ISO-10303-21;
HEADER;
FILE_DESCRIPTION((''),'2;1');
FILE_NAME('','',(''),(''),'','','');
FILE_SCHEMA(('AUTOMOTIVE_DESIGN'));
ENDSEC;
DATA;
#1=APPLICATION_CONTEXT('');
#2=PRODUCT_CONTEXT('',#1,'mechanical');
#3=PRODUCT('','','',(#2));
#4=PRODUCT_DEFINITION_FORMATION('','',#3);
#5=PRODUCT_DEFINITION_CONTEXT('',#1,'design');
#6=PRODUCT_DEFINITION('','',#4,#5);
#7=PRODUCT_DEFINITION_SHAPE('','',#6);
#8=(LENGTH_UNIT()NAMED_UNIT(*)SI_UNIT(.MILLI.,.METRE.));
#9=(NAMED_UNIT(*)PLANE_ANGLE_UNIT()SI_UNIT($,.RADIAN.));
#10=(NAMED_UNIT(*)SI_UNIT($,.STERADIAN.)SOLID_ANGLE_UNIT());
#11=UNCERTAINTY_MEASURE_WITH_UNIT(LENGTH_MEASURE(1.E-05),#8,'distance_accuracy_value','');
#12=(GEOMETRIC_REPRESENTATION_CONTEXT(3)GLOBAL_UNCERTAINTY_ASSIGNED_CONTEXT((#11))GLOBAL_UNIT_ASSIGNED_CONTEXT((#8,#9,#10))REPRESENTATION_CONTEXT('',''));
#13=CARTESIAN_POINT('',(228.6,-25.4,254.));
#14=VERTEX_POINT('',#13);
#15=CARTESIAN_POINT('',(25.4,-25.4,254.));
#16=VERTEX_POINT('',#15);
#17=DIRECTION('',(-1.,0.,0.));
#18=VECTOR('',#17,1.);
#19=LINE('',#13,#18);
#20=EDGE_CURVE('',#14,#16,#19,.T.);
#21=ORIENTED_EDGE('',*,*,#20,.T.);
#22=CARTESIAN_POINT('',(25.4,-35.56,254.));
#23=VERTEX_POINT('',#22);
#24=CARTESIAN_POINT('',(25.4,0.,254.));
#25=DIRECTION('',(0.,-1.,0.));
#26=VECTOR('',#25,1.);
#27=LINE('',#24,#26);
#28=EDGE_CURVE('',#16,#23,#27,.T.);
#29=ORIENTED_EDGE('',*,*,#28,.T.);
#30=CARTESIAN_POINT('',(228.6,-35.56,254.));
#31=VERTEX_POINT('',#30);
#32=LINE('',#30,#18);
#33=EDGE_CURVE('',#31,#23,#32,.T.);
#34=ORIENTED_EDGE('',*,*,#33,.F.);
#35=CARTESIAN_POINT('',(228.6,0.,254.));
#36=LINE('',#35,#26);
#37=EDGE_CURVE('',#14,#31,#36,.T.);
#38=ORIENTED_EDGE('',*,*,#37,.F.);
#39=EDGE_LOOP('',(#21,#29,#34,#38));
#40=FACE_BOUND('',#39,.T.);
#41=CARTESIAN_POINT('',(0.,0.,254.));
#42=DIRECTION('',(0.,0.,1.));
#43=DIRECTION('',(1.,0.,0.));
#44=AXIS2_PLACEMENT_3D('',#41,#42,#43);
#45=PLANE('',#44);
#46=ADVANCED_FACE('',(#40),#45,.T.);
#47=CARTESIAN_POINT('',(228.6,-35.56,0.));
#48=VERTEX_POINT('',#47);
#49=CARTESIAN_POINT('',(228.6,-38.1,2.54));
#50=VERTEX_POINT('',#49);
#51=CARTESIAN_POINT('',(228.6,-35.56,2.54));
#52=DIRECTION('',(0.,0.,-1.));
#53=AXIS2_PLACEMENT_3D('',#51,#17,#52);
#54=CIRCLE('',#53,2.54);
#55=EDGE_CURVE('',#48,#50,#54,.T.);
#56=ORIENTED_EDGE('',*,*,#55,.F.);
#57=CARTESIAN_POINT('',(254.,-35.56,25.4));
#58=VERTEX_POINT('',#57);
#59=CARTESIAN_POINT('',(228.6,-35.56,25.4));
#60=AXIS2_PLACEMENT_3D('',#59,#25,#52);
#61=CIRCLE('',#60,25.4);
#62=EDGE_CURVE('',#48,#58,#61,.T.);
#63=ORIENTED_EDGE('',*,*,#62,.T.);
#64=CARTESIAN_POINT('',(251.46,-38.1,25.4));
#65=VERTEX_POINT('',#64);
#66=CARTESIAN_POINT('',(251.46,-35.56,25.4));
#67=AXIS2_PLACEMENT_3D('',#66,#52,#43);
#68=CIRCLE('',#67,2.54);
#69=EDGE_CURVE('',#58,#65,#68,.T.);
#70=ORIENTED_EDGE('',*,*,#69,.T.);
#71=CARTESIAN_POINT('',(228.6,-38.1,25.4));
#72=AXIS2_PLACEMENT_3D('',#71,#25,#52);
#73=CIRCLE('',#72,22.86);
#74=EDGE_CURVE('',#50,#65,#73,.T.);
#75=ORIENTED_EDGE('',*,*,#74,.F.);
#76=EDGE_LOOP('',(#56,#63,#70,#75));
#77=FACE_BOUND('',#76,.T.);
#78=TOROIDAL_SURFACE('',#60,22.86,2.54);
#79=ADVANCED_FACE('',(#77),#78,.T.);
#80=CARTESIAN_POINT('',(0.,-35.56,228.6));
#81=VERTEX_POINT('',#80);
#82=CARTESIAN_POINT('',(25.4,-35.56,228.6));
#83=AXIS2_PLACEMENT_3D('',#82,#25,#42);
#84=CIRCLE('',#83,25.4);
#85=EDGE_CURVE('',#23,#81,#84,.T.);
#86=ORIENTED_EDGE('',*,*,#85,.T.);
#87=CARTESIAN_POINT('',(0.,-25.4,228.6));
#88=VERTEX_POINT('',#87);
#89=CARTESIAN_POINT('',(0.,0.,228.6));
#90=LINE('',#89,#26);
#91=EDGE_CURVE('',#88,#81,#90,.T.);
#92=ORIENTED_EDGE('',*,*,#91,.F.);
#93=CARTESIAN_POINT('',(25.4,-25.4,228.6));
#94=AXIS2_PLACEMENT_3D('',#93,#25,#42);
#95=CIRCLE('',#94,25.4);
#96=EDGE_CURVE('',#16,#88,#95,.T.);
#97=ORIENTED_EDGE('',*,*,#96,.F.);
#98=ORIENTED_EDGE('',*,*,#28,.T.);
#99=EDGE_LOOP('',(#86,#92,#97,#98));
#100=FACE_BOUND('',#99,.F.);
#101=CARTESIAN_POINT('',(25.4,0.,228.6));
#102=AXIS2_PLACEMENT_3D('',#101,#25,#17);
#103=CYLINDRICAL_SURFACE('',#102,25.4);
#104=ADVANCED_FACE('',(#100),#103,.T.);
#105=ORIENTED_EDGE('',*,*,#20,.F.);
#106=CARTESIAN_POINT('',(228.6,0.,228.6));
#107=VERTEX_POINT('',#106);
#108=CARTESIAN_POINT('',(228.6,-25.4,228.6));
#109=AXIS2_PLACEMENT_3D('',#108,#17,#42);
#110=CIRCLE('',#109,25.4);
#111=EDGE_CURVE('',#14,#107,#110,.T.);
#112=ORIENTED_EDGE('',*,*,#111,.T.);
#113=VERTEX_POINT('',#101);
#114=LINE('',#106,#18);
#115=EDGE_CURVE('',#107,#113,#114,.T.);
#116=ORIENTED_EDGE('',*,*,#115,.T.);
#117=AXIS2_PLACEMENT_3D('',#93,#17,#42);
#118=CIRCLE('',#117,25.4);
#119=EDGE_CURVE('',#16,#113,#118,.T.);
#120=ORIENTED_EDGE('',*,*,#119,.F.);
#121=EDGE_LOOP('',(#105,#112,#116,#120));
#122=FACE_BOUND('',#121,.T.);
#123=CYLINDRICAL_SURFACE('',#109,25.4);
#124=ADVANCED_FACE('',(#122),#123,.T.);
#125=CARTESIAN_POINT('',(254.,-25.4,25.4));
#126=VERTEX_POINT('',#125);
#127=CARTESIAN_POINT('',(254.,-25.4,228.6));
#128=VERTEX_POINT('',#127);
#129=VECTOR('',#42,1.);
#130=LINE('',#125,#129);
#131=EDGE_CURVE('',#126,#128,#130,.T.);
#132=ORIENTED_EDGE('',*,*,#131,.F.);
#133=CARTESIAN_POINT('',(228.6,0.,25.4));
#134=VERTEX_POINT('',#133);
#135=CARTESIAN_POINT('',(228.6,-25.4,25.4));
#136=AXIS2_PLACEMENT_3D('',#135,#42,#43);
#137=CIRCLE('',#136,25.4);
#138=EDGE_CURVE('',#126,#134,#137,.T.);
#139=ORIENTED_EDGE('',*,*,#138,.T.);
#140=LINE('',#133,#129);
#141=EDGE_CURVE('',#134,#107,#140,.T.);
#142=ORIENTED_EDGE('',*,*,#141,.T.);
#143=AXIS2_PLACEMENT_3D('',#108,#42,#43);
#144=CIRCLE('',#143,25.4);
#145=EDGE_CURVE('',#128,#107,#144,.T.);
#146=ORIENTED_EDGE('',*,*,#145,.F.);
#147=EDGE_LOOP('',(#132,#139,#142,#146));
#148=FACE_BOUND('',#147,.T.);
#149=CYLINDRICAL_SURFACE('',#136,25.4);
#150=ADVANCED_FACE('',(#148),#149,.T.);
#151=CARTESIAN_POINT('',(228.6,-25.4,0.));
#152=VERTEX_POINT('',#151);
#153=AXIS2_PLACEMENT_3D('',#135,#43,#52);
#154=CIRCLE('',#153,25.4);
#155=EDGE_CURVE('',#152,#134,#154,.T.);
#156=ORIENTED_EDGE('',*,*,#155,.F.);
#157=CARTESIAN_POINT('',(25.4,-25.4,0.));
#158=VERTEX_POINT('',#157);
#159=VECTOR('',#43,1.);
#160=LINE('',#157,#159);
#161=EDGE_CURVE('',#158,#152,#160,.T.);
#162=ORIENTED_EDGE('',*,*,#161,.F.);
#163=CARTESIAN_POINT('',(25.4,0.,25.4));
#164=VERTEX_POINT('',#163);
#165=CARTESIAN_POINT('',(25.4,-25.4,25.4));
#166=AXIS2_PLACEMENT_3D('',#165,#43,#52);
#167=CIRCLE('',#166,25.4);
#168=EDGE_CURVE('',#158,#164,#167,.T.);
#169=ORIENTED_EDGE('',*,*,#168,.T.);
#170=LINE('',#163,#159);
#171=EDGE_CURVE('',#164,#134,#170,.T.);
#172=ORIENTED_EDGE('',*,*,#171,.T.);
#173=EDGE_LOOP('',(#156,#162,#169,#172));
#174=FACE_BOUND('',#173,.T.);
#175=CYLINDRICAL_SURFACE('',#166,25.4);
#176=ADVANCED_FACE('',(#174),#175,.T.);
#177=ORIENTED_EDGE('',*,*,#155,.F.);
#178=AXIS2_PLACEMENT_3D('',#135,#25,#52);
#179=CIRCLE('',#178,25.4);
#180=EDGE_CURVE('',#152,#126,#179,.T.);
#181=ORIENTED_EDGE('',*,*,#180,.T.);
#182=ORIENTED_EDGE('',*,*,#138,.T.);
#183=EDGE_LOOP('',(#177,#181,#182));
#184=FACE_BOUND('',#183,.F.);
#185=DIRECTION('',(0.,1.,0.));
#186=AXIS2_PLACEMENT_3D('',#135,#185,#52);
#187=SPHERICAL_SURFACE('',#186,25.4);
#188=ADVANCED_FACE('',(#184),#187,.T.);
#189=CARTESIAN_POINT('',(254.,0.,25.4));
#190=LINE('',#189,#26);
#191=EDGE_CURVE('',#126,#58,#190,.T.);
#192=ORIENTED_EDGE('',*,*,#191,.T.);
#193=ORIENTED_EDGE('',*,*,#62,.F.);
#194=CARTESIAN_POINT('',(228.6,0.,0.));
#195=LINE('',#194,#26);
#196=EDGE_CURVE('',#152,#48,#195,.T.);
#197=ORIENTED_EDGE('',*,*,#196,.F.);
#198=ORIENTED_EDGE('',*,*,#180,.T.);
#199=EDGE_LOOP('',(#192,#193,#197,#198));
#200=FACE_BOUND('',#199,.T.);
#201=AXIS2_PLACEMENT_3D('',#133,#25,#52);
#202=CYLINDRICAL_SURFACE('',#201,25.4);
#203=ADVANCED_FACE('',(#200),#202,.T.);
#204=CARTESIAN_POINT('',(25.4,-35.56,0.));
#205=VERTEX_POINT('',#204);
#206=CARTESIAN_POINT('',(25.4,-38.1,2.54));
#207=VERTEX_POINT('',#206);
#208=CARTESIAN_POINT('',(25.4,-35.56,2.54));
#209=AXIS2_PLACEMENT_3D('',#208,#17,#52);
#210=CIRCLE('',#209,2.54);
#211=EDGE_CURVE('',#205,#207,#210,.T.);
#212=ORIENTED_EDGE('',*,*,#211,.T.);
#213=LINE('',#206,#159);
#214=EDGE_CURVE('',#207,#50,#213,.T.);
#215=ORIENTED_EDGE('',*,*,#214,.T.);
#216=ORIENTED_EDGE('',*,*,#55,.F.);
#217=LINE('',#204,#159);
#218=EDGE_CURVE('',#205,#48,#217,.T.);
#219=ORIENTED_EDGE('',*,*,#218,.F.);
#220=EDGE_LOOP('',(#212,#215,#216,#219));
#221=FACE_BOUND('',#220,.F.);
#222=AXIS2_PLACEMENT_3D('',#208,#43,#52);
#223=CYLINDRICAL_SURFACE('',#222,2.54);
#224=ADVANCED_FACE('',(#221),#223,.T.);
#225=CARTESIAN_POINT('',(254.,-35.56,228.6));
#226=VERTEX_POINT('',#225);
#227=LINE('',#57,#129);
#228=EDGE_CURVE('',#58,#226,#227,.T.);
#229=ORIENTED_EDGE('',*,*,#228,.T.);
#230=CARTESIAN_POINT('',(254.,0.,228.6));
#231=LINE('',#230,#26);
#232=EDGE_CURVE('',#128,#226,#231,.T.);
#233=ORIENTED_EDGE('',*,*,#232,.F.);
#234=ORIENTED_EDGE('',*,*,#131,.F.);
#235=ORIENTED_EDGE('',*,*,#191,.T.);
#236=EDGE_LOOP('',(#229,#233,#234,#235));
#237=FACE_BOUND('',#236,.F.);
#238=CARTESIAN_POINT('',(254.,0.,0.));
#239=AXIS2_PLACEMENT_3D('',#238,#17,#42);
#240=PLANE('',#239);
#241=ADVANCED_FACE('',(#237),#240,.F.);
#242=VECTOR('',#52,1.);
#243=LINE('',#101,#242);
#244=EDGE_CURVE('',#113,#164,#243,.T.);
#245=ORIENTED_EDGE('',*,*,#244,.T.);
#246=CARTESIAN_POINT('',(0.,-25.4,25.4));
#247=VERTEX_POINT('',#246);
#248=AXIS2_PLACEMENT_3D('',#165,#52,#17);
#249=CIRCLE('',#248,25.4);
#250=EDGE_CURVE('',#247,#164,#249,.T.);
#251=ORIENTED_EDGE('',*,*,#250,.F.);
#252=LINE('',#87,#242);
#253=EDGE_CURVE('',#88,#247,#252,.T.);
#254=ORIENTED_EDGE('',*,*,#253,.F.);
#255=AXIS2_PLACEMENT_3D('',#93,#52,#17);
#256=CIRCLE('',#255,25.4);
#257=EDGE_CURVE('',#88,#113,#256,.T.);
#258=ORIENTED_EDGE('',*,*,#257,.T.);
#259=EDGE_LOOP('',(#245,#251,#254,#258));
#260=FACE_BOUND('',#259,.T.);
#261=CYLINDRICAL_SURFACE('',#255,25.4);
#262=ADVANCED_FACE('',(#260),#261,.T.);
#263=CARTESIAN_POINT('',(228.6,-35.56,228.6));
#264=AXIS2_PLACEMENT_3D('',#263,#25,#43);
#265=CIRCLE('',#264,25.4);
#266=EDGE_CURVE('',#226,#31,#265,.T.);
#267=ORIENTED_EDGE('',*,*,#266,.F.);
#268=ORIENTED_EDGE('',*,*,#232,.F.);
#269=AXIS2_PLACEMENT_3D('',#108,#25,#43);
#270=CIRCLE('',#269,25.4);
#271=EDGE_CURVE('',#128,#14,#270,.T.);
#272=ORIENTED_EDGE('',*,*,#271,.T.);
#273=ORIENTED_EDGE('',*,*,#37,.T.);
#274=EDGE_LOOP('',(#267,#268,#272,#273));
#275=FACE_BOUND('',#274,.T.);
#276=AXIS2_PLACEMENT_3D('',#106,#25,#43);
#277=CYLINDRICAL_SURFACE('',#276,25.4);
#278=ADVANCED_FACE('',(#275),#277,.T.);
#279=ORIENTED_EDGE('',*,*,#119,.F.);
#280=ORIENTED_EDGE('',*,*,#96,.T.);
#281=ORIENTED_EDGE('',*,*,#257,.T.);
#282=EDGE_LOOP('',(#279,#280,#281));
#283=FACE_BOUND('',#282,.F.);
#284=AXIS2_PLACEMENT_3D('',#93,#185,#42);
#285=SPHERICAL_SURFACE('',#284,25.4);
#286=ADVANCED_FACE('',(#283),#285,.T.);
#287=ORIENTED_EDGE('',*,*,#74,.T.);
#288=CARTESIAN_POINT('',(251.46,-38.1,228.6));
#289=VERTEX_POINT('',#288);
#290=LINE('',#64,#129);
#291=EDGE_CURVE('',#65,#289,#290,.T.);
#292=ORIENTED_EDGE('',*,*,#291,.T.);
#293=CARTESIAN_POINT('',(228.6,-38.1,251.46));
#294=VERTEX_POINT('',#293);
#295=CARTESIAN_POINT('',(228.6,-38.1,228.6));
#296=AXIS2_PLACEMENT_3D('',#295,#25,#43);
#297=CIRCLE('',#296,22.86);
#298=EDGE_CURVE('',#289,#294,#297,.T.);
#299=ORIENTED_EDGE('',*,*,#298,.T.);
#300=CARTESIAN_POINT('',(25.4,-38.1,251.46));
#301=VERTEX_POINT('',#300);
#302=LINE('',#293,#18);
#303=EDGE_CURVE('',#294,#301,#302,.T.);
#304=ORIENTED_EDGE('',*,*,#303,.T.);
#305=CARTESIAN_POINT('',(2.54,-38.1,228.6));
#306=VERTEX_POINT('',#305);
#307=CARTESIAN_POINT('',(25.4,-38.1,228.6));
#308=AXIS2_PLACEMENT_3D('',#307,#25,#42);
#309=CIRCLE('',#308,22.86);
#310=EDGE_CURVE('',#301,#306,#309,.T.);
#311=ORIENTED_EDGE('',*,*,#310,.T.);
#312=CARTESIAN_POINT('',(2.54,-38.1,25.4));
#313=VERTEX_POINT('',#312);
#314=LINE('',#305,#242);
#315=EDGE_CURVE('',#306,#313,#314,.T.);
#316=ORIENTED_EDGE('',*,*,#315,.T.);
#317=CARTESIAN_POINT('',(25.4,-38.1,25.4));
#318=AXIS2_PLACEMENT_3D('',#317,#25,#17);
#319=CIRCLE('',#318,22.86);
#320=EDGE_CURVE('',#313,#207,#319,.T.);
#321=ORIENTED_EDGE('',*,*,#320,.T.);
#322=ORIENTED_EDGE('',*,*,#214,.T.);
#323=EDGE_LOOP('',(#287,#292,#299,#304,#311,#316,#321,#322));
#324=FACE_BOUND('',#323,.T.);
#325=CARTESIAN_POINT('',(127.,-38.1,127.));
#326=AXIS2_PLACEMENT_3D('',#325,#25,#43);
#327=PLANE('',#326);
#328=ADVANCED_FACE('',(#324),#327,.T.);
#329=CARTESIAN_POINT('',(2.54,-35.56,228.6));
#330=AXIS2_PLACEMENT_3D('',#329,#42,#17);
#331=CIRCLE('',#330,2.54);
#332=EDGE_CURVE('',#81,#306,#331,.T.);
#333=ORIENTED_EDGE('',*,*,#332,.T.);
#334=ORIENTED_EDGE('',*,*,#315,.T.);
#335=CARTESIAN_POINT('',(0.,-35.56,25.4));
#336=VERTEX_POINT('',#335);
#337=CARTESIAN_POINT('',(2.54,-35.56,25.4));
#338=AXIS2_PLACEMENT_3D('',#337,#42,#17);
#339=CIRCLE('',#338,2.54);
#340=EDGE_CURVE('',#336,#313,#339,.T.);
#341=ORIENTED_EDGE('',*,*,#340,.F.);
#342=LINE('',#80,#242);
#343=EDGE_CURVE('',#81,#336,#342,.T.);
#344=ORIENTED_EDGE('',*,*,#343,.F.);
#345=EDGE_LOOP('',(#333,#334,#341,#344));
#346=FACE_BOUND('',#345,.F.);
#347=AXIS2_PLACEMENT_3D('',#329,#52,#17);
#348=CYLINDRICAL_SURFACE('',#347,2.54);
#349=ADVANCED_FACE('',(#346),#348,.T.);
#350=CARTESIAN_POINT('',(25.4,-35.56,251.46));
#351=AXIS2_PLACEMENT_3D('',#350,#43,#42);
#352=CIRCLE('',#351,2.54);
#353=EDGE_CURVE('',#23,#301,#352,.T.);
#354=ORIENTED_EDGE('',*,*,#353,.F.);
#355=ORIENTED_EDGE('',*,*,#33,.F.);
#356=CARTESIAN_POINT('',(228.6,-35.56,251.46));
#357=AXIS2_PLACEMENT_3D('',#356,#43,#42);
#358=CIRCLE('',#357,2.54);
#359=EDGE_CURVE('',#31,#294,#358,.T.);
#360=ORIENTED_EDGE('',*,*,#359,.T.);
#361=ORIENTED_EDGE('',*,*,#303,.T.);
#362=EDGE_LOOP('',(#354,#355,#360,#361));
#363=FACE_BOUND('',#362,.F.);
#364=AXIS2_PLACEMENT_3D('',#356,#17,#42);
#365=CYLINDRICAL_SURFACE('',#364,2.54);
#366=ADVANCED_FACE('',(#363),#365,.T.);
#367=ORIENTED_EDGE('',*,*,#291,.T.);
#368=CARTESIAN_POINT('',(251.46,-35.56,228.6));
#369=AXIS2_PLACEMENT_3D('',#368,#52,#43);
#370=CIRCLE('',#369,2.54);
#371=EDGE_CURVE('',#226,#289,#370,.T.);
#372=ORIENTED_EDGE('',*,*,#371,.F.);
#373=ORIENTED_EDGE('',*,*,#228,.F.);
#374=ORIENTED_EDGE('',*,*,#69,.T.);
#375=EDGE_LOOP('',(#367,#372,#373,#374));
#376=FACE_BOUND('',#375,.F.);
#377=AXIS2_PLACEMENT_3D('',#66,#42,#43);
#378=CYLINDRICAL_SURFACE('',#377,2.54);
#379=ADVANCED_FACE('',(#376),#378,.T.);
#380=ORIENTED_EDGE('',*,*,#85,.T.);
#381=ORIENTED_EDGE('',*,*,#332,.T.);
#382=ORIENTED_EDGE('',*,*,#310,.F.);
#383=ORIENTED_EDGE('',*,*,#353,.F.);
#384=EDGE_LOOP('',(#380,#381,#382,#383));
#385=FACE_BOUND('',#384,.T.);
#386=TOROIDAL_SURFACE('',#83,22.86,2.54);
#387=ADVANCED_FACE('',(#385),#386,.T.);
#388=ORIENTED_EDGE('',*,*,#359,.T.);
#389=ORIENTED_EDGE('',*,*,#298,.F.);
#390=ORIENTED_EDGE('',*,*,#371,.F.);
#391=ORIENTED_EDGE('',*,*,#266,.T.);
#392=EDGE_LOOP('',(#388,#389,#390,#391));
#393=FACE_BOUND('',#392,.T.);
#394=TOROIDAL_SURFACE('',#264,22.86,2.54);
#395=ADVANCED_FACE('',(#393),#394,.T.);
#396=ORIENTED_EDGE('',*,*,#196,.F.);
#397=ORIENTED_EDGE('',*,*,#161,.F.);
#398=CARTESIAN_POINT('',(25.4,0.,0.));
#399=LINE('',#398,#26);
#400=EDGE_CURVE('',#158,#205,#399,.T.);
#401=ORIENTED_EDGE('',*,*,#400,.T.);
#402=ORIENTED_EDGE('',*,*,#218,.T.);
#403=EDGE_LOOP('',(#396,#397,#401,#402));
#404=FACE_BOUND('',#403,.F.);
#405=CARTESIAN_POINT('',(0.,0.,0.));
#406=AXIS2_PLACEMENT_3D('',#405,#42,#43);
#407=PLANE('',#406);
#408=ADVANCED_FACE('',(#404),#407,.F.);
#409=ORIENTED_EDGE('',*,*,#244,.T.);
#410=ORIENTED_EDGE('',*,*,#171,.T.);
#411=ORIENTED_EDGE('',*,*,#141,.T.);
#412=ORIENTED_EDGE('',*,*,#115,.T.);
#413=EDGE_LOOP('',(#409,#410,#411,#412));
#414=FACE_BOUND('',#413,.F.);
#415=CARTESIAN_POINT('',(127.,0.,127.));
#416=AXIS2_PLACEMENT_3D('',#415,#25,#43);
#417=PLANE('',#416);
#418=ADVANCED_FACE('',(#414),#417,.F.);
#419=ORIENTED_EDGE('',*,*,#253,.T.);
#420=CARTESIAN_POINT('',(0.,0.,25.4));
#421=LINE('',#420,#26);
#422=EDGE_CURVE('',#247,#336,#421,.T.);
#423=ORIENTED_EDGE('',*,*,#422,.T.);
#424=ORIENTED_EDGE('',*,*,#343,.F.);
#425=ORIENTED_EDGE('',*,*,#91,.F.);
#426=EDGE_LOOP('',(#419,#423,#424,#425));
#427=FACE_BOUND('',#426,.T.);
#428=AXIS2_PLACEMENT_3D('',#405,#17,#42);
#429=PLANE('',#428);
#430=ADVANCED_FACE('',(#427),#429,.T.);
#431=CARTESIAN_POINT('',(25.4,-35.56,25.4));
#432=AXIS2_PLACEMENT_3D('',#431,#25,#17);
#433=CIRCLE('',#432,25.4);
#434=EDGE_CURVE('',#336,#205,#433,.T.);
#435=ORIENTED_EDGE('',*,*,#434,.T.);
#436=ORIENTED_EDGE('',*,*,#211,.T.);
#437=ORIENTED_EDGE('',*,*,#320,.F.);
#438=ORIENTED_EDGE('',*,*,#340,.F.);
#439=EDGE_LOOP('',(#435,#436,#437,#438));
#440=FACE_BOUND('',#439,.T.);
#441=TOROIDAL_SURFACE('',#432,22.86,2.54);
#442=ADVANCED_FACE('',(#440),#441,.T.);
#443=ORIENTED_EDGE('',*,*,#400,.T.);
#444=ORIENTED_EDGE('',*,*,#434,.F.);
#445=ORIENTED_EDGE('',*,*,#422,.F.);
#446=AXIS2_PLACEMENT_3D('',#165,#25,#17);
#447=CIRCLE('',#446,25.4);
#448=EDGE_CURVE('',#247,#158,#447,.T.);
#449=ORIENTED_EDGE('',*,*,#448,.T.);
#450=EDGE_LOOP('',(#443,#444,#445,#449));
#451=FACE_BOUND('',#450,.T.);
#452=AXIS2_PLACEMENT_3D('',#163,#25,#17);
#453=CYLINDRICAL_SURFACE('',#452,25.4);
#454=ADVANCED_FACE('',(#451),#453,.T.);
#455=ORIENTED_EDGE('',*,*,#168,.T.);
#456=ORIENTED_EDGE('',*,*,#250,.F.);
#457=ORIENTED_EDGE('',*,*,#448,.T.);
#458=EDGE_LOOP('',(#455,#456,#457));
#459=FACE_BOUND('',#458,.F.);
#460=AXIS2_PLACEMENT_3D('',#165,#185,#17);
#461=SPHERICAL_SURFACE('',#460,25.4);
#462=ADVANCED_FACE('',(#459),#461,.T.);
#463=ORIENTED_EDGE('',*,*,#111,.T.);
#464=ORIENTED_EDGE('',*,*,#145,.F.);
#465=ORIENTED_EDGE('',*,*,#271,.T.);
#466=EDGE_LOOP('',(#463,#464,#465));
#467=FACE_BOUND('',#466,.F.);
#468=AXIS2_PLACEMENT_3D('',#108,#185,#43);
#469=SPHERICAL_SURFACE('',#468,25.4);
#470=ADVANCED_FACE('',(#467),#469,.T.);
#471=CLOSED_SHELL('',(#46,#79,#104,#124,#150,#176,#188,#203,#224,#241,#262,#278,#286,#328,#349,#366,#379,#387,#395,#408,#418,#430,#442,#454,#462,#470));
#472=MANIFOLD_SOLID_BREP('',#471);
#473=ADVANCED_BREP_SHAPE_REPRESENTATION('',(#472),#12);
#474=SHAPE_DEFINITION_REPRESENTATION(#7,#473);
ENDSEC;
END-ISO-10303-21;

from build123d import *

# Parameters (mm, degrees)
F0_W     = 254
F0_H     = 254
F1_DEPTH = 38.1
F2_R     = 25.4
F3_R     = 25.4
F4_R     = 25.4
F5_R     = 25.4
F6_R     = 2.54
F7_R     = 25.4


with BuildPart() as f1:
    # F0 (on Front) → F1 (new body)
    with BuildSketch(Plane.XZ):
        with Locations((127, 127)):
            Rectangle(F0_W, F0_H)
    extrude(amount=F1_DEPTH)

    # F2
    f2_edges = [f1.edges().sort_by_distance(p)[0] for p in [
        (0, -19.05, 254),
    ]]
    fillet(f2_edges, radius=F2_R)

    # F3
    f3_edges = [f1.edges().sort_by_distance(p)[0] for p in [
        (0, -19.05, 0),
    ]]
    fillet(f3_edges, radius=F3_R)

    # F4
    f4_edges = [f1.edges().sort_by_distance(p)[0] for p in [
        (254, -19.05, 0),
    ]]
    fillet(f4_edges, radius=F4_R)

    # F5
    f5_edges = [f1.edges().sort_by_distance(p)[0] for p in [
        (254, -19.05, 254),
    ]]
    fillet(f5_edges, radius=F5_R)

    # F6
    f6_edges = [f1.edges().sort_by_distance(p)[0] for p in [
        (254, -38.1, 127),
    ]]
    fillet(f6_edges, radius=F6_R)

    # F7
    f7_edges = [f1.edges().sort_by_distance(p)[0] for p in [
        (254, 0, 127),
    ]]
    fillet(f7_edges, radius=F7_R)


solid = f1.part
